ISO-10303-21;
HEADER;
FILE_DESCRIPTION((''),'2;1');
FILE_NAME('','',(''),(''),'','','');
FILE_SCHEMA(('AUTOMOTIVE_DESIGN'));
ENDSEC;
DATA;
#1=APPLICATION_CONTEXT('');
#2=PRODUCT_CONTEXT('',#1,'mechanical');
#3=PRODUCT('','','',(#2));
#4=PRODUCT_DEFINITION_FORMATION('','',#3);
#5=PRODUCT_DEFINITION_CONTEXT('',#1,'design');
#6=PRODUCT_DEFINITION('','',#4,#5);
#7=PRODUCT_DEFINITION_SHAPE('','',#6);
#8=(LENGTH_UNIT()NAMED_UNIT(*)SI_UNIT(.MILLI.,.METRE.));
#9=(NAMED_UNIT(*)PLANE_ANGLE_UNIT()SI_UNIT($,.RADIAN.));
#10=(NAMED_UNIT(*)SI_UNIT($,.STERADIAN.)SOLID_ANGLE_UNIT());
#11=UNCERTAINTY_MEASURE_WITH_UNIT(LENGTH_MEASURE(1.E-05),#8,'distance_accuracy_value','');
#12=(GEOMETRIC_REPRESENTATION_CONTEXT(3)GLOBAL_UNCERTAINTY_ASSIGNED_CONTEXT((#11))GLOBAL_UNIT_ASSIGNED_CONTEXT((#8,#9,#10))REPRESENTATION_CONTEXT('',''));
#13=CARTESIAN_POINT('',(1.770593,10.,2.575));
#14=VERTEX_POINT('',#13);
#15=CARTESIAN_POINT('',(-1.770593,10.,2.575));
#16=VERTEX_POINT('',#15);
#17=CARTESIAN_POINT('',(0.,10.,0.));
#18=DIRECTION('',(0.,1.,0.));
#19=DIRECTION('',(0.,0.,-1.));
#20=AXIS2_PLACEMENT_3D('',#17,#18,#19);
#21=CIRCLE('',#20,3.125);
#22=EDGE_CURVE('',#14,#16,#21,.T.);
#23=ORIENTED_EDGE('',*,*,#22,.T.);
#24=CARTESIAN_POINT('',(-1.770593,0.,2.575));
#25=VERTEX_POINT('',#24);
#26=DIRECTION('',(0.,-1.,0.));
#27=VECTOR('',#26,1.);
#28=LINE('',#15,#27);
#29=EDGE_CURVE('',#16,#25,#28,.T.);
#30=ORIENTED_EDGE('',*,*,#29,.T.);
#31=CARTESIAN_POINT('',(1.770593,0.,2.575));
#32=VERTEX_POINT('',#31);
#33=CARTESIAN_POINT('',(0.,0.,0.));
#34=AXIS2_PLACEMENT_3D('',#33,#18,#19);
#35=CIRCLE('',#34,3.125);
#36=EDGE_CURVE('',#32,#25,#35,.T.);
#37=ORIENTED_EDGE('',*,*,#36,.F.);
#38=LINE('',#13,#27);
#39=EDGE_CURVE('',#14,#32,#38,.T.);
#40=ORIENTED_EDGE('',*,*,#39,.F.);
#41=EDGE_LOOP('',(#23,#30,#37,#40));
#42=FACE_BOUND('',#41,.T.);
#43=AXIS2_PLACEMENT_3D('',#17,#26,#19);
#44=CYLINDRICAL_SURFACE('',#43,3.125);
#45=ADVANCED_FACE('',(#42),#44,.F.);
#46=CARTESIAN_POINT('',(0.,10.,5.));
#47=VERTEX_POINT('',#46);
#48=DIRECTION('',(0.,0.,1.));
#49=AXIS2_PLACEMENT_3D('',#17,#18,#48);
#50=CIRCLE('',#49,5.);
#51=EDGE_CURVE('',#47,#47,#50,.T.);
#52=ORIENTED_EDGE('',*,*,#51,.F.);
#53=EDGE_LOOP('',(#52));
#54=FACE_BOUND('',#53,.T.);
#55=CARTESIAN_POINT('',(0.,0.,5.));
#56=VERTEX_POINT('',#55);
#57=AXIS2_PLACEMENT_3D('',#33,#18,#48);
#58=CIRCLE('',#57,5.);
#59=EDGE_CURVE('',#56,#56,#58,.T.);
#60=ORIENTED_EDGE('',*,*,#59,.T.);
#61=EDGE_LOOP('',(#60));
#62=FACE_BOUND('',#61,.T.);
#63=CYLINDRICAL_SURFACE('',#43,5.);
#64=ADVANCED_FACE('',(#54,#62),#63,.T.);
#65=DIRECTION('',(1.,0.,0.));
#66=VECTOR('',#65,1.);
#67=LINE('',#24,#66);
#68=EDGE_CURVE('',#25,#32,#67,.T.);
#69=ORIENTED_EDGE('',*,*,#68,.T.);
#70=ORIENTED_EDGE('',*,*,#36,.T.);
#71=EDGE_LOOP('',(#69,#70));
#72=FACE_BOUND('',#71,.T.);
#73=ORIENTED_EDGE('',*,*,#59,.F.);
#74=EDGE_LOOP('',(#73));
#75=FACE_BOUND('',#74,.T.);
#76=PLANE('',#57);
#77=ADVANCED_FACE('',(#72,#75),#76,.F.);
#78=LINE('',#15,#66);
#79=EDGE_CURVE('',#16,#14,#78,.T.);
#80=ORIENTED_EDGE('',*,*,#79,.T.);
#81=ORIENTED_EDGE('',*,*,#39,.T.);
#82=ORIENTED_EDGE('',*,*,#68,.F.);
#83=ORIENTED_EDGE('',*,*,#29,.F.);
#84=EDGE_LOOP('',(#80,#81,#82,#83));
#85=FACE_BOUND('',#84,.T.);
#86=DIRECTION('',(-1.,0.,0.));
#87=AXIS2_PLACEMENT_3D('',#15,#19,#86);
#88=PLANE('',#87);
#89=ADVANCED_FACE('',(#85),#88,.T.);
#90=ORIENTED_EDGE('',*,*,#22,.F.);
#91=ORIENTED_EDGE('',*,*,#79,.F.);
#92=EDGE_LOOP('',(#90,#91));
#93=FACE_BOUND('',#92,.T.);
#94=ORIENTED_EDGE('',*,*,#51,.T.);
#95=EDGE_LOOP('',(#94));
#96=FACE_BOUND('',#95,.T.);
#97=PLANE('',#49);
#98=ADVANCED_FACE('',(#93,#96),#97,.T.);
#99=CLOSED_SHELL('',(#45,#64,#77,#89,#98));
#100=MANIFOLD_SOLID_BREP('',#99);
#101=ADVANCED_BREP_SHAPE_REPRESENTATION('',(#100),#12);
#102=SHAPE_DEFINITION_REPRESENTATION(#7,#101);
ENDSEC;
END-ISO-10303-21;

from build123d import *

# Parameters (mm, degrees)
SKETCH1_R           = 5
BOSS_EXTRUDE1_DEPTH = 10


with BuildPart() as part:
    # Sketch1 → Boss-Extrude1 (new body)
    with BuildSketch(Plane(origin=(0, 0, 0), x_dir=(1, 0, 0), z_dir=(0, 1, 0))):
        with Locations(Location((0, 0, 0), (0, 0, 270))):
            Circle(SKETCH1_R)
        with BuildLine():
            Line((-1.770593121, -2.575), (1.770593121, -2.575))
            ThreePointArc((1.770593121, -2.575), (0, 3.125), (-1.770593121, -2.575))
        make_face(mode=Mode.SUBTRACT)
    extrude(amount=BOSS_EXTRUDE1_DEPTH)


solid = part.part
